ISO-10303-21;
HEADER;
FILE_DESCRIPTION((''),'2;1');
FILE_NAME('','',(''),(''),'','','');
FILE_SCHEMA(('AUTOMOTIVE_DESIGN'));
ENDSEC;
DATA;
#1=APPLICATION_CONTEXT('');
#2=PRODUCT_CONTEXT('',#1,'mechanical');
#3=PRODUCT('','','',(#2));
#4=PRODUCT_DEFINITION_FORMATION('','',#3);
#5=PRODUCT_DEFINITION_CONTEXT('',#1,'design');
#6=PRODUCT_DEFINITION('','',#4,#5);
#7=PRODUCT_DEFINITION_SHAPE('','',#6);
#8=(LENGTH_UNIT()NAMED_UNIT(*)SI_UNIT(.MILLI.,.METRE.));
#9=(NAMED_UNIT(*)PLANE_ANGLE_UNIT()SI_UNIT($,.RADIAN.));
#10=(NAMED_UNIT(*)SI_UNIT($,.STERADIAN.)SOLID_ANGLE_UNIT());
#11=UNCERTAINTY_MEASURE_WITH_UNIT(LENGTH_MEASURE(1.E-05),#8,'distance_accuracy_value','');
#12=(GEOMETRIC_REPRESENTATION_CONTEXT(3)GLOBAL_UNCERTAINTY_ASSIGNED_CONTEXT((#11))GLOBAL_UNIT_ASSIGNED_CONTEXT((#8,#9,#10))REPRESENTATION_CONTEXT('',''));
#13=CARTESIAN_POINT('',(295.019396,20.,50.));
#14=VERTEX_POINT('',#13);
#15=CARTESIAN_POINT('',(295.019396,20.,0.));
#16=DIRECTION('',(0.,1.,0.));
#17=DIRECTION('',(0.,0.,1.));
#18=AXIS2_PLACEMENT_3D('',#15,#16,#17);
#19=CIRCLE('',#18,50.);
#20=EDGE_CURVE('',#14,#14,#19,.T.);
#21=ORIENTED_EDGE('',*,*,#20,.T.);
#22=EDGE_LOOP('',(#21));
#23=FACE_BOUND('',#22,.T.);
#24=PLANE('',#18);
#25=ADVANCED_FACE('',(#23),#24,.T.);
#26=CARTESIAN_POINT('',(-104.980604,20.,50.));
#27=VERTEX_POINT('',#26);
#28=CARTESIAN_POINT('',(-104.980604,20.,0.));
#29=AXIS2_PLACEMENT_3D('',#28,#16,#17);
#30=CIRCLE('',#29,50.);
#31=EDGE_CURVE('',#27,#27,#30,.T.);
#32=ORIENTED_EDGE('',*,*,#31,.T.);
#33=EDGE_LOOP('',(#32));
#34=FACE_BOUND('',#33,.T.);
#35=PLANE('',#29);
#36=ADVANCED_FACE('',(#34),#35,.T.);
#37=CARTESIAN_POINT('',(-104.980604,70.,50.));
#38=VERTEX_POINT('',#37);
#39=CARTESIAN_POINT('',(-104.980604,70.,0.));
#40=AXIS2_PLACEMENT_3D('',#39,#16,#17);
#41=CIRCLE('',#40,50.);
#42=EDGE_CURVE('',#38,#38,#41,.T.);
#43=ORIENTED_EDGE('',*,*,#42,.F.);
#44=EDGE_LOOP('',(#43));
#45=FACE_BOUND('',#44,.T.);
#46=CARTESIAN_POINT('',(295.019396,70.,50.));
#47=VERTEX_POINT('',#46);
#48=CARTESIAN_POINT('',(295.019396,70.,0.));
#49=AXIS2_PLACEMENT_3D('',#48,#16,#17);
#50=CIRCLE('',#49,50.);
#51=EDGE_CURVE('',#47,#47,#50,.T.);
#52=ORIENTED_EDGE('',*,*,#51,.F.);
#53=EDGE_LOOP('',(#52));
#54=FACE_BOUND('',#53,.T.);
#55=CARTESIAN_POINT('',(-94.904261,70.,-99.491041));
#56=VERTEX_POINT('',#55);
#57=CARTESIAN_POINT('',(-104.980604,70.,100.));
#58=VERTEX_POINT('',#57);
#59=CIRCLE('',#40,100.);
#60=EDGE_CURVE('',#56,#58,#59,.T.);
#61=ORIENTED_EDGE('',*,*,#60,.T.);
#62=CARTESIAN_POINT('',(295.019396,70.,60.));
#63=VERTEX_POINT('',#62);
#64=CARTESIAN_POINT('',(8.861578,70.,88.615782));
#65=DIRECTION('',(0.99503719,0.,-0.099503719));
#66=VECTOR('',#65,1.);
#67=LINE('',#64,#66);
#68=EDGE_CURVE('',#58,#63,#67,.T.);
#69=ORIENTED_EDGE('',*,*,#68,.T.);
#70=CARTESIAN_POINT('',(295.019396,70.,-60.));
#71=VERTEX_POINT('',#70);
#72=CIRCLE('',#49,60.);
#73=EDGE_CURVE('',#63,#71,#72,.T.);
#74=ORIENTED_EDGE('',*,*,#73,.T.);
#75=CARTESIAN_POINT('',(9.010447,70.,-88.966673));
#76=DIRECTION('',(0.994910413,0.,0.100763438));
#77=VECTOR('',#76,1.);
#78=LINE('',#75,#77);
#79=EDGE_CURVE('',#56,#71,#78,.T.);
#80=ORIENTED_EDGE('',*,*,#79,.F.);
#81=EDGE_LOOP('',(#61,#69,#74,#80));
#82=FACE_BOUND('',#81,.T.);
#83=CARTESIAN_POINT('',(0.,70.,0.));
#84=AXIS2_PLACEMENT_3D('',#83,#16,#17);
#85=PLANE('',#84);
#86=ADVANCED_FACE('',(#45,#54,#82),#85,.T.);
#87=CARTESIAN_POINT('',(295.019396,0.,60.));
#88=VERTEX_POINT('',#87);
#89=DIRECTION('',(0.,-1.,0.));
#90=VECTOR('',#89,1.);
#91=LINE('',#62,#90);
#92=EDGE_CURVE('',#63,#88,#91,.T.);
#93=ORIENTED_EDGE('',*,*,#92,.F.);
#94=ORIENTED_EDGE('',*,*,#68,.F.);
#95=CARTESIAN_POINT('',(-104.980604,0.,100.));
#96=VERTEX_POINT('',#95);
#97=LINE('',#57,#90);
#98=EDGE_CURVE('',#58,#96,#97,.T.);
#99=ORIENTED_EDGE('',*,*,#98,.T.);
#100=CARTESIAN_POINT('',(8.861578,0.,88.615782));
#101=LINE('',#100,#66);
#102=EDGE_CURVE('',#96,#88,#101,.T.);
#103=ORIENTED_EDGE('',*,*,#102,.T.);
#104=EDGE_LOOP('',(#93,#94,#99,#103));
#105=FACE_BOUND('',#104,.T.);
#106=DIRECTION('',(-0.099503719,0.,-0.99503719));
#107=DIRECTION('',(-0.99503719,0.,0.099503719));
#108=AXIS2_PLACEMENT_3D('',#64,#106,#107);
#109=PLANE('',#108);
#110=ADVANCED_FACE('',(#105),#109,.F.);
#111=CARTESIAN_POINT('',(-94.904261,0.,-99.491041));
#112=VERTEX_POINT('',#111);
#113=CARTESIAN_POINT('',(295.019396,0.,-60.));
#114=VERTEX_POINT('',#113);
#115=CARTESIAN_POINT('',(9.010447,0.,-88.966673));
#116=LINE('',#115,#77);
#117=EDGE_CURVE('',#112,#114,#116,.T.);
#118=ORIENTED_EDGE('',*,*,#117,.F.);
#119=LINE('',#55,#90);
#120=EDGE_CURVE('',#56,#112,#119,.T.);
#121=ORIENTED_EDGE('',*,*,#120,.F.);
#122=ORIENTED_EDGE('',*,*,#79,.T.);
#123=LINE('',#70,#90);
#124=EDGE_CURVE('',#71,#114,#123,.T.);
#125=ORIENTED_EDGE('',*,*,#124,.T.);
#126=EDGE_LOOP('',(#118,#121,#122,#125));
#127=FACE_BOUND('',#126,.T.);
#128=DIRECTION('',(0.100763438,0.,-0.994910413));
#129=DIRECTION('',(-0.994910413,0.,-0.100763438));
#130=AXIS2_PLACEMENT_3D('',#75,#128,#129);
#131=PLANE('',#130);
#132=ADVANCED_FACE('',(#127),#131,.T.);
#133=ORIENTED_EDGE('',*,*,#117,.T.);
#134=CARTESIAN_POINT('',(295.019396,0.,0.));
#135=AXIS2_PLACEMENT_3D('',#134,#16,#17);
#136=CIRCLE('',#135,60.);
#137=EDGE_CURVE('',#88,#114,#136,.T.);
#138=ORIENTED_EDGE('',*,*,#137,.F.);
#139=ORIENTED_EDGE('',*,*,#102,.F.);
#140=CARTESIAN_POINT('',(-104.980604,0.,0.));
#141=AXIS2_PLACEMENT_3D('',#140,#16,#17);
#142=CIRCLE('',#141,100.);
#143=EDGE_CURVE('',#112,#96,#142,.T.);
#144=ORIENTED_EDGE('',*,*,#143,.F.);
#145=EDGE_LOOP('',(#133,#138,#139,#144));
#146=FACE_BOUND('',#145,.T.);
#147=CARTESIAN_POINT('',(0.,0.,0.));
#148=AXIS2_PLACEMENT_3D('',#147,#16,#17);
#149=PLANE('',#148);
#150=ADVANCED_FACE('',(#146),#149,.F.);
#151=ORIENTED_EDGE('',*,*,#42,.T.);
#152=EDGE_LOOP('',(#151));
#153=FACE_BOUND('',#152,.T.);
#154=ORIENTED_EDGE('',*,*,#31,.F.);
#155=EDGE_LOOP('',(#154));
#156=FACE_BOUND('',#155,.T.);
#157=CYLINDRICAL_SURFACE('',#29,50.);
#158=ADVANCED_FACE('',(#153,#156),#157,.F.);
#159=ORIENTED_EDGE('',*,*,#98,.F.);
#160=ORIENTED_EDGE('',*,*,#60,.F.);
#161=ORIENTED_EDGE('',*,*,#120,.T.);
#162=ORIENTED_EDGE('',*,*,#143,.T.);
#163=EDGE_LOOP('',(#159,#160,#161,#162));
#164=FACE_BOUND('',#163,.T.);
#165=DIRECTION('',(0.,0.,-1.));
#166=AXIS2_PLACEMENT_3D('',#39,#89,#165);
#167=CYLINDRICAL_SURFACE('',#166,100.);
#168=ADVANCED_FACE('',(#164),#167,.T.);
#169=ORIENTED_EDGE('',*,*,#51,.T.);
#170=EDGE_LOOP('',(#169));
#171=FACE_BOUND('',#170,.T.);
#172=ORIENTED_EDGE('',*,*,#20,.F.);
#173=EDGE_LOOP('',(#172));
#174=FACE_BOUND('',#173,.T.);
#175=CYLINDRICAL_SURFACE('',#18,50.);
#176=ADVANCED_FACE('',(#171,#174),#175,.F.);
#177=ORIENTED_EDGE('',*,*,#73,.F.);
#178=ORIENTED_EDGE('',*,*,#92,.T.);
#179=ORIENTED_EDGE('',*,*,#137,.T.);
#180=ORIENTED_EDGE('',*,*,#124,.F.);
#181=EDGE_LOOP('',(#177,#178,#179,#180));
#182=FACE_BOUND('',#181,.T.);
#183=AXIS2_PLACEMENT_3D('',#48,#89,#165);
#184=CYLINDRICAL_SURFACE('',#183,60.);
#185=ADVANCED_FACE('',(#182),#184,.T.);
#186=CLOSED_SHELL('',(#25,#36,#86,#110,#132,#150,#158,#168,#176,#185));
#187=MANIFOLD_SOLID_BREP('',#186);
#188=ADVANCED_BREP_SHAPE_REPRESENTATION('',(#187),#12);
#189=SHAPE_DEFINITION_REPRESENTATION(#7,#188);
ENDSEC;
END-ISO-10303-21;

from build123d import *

# Parameters (mm, degrees)
BOSS_EXTRUDE1_DEPTH = 70
SKETCH3_R           = 50
CUT_EXTRUDE1_DEPTH  = 50


with BuildPart() as part:
    # Sketch2 → Boss-Extrude1 (new body)
    with BuildSketch(Plane(origin=(0, 0, 0), x_dir=(1, 0, 0), z_dir=(0, 1, 0))):
        with BuildLine():
            Line((295.019395576, 60), (-94.904260616, 99.491041282))
            ThreePointArc((-94.904260616, 99.491041282), (-204.853283691, 5.044594719), (-104.980604424, -100))
            Line((-104.980604424, -100), (-85.178624226, -98.01980198))
            Line((-85.178624226, -98.01980198), (295.019395576, -60))
            ThreePointArc((295.019395576, -60), (355.019395576, 0), (295.019395576, 60))
        make_face()
    extrude(amount=BOSS_EXTRUDE1_DEPTH)

    # Sketch3 → Cut-Extrude1 (cut)
    with BuildSketch(Plane(origin=(0, 70, 0), x_dir=(1, 0, 0), z_dir=(0, 1, 0))):
        with Locations(Location((-104.980604424, 0, 0), (0, 0, 270))):
            Circle(SKETCH3_R)
        with Locations(Location((295.019395576, 0, 0), (0, 0, 270))):
            Circle(SKETCH3_R)
    extrude(amount=-CUT_EXTRUDE1_DEPTH, mode=Mode.SUBTRACT)


solid = part.part
